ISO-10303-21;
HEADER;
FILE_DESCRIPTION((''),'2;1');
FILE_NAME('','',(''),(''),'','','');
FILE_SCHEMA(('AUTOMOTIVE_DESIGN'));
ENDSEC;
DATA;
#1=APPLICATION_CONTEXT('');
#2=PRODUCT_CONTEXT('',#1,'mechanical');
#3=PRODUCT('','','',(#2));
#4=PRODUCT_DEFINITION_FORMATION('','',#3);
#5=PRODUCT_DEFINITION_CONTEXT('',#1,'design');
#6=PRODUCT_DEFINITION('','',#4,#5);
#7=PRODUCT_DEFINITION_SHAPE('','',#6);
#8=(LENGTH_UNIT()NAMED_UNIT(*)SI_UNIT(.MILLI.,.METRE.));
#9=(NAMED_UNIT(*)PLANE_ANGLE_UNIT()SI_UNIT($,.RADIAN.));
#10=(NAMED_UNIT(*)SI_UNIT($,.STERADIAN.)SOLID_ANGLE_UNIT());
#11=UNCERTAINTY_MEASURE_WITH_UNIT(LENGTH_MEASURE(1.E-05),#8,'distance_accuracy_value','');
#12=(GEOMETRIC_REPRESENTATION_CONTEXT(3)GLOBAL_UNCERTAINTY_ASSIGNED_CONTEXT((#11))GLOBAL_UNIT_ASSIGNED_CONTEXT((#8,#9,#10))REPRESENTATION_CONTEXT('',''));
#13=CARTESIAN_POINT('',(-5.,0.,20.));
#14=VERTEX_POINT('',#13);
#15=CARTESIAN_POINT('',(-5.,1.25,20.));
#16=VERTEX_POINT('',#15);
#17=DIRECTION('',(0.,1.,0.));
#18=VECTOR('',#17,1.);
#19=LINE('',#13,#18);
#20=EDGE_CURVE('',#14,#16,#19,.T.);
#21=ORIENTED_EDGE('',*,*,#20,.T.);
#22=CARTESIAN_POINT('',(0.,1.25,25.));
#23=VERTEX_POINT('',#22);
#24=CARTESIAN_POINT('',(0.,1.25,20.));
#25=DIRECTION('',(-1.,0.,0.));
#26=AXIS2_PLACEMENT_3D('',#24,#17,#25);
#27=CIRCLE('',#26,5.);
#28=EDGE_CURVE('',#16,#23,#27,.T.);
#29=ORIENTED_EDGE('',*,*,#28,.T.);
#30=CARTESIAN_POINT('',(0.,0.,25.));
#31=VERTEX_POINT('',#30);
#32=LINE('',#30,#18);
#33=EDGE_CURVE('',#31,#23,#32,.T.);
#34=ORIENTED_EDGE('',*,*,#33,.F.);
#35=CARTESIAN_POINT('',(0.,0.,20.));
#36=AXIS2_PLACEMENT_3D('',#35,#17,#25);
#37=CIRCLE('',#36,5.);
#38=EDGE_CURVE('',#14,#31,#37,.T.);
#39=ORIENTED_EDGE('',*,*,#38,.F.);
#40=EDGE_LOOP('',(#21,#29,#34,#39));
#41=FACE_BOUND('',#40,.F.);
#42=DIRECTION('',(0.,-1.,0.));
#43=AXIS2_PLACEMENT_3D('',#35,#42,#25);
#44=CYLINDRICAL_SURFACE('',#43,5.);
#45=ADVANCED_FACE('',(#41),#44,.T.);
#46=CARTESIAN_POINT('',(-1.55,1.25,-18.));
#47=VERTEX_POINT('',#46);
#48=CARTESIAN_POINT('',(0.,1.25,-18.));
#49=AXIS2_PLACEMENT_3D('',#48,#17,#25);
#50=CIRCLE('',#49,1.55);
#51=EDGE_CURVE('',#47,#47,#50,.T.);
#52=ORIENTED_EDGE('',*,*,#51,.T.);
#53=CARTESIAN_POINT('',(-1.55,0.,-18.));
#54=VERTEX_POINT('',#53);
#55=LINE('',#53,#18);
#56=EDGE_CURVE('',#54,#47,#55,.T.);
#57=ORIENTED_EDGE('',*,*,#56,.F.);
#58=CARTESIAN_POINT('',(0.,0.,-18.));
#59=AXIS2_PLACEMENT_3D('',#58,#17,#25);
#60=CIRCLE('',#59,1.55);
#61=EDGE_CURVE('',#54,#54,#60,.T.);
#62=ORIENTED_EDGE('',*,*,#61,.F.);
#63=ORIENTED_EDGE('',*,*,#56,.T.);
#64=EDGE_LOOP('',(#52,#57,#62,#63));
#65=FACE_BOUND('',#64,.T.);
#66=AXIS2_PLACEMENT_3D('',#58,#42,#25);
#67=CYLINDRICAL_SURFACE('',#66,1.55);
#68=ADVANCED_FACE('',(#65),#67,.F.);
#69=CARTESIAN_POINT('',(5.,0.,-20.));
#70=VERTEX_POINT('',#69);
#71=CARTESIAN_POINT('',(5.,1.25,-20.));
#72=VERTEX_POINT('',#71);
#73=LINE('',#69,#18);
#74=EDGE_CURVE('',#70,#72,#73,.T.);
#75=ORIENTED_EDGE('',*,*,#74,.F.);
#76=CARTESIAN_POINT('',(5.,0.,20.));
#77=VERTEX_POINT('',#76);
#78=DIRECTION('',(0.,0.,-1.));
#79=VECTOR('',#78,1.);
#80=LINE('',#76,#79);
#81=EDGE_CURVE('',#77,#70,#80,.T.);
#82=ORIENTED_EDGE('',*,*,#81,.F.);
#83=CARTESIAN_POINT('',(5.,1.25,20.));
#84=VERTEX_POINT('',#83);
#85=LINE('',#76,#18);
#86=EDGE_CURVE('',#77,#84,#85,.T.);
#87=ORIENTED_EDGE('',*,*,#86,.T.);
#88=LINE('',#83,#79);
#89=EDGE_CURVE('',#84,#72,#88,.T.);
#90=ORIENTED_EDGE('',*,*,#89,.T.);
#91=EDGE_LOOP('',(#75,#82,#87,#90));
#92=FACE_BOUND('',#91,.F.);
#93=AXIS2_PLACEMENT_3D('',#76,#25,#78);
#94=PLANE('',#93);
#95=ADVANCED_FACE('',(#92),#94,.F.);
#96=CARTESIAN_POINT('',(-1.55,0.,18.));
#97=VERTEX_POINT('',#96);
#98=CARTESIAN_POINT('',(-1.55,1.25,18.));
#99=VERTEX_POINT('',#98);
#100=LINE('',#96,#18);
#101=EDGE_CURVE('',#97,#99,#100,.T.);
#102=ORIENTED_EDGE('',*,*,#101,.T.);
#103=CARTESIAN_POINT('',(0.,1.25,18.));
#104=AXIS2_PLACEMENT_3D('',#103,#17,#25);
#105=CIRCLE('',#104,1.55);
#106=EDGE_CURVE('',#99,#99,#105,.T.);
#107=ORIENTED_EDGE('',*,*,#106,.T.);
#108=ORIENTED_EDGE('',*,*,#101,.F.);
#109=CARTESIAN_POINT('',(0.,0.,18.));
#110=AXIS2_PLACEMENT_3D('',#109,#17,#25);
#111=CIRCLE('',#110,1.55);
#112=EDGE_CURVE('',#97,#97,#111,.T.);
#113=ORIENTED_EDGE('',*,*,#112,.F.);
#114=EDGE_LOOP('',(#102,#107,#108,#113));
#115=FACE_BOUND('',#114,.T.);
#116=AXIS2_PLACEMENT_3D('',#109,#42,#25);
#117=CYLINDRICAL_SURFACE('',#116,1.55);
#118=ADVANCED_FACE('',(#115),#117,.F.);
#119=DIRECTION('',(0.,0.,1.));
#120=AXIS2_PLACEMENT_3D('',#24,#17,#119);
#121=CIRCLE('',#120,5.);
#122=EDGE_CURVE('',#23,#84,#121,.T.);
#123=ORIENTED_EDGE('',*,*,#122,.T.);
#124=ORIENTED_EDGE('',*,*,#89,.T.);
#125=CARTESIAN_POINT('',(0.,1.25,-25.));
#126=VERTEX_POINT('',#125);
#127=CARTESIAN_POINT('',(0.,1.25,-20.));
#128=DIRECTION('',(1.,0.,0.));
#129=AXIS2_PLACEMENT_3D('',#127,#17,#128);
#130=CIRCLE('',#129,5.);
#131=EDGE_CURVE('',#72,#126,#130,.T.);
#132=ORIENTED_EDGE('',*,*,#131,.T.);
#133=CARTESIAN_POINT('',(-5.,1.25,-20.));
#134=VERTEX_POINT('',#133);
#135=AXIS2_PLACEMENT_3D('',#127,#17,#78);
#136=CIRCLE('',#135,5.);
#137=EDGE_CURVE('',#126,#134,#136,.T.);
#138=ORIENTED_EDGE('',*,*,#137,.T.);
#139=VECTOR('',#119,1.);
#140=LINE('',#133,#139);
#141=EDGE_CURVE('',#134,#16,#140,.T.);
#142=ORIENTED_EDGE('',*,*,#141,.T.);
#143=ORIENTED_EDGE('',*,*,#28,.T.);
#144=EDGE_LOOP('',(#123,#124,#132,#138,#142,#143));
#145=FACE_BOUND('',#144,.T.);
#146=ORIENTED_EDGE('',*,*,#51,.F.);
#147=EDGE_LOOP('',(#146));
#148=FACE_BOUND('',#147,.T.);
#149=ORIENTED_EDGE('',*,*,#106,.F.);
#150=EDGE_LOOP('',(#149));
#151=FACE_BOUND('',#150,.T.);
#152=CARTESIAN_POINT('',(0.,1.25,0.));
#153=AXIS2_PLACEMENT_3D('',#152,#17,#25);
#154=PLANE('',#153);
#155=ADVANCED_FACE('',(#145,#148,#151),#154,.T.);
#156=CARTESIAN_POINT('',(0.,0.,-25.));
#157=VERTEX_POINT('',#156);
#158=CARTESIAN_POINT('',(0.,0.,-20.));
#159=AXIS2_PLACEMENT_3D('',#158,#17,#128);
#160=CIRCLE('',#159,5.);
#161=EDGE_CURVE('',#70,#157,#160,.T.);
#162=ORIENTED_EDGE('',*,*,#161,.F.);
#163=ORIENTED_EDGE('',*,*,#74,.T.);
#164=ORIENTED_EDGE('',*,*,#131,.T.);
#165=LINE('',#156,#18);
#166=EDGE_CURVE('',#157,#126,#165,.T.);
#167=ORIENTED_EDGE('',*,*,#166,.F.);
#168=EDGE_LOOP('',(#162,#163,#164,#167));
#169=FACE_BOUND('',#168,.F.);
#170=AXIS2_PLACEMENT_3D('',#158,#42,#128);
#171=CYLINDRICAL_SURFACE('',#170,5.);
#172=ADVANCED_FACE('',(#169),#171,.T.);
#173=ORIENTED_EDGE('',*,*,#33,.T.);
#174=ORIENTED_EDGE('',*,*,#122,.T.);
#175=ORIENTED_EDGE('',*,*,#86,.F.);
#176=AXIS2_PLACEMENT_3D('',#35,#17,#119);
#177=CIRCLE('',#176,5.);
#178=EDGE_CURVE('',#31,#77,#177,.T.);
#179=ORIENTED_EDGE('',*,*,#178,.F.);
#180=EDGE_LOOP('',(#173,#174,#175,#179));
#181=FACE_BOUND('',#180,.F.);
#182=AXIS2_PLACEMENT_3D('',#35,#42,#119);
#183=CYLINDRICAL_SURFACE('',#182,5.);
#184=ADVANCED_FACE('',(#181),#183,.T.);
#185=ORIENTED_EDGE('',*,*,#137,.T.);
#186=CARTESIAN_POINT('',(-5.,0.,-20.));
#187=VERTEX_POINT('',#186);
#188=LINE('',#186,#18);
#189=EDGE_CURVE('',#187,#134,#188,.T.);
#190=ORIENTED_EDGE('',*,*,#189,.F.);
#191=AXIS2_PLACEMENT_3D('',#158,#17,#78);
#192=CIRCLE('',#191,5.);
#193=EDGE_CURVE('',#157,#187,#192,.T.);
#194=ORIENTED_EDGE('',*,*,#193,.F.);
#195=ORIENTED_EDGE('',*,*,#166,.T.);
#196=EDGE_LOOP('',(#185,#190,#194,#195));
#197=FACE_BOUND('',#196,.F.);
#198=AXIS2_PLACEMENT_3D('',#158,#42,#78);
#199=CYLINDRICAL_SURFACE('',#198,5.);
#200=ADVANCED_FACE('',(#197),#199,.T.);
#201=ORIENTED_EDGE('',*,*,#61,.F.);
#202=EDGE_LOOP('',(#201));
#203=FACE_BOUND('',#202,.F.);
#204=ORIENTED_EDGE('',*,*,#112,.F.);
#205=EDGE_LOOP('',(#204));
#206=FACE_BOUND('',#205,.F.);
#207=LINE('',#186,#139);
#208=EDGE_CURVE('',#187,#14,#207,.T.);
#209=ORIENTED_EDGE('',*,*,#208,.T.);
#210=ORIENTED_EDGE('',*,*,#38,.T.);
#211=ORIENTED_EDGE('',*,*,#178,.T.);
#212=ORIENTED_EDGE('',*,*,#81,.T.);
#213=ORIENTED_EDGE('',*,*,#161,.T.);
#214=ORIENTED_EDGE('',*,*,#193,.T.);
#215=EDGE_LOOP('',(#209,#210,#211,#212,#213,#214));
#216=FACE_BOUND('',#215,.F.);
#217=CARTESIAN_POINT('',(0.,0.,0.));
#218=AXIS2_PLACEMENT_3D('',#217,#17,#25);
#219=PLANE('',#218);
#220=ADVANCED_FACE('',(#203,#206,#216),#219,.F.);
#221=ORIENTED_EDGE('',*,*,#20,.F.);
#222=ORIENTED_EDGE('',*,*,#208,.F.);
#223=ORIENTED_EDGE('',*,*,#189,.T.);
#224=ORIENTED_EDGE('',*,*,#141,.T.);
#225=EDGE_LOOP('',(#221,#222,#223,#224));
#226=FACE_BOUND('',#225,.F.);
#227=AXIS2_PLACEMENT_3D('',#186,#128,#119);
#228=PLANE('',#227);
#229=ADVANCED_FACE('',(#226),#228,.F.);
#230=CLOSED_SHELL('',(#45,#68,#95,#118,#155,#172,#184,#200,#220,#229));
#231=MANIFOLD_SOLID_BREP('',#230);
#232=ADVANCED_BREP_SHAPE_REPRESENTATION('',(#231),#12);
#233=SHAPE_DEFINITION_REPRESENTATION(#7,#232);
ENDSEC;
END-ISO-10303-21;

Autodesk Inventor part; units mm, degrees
ref_plane "YZ Plane" through (0, 0, 0) normal (1, 0, 0) x (0, 1, 0)
ref_plane "XZ Plane" through (0, 0, 0) normal (0, 1, 0) x (-1, 0, 0)
ref_plane "XY Plane" through (0, 0, 0) normal (0, 0, 1) x (1, 0, 0)
sketch "Sketch1" plane through (0, 0, 0) normal (0, 1, 0) x (-1, 0, 0)
  circle A0 centre (0, -18) radius 1.55
  circle A1 centre (0, 18) radius 1.55
  line L0 (0, 25) -> (0, 25)
  line L1 (-5, 20) -> (-5, -20)
  line L2 (0, -25) -> (0, -25)
  line L3 (5, -20) -> (5, 20)
  arc A2 (5, 20) -> (0, 25) centre (0, 20) ccw
  arc A3 (0, 25) -> (-5, 20) centre (0, 20) ccw
  arc A4 (-5, -20) -> (0, -25) centre (0, -20) ccw
  arc A5 (0, -25) -> (5, -20) centre (0, -20) ccw
  point P0 (0, 0)
  point P1 (-5, -25)
  point P2 (-5, 25)
  point P3 (5, -25)
  point P4 (0, -25)
  dimension "d0" = 3.1
  dimension "d1" = 3.1
  dimension "d2" = 10
  dimension "d3" = 50
  dimension "d4" = 5
extrude "Extrusion1" add sketch "Sketch1" along normal blind 1.25
properties part number "KreplenieBoltam" material "Iron, Cast"
